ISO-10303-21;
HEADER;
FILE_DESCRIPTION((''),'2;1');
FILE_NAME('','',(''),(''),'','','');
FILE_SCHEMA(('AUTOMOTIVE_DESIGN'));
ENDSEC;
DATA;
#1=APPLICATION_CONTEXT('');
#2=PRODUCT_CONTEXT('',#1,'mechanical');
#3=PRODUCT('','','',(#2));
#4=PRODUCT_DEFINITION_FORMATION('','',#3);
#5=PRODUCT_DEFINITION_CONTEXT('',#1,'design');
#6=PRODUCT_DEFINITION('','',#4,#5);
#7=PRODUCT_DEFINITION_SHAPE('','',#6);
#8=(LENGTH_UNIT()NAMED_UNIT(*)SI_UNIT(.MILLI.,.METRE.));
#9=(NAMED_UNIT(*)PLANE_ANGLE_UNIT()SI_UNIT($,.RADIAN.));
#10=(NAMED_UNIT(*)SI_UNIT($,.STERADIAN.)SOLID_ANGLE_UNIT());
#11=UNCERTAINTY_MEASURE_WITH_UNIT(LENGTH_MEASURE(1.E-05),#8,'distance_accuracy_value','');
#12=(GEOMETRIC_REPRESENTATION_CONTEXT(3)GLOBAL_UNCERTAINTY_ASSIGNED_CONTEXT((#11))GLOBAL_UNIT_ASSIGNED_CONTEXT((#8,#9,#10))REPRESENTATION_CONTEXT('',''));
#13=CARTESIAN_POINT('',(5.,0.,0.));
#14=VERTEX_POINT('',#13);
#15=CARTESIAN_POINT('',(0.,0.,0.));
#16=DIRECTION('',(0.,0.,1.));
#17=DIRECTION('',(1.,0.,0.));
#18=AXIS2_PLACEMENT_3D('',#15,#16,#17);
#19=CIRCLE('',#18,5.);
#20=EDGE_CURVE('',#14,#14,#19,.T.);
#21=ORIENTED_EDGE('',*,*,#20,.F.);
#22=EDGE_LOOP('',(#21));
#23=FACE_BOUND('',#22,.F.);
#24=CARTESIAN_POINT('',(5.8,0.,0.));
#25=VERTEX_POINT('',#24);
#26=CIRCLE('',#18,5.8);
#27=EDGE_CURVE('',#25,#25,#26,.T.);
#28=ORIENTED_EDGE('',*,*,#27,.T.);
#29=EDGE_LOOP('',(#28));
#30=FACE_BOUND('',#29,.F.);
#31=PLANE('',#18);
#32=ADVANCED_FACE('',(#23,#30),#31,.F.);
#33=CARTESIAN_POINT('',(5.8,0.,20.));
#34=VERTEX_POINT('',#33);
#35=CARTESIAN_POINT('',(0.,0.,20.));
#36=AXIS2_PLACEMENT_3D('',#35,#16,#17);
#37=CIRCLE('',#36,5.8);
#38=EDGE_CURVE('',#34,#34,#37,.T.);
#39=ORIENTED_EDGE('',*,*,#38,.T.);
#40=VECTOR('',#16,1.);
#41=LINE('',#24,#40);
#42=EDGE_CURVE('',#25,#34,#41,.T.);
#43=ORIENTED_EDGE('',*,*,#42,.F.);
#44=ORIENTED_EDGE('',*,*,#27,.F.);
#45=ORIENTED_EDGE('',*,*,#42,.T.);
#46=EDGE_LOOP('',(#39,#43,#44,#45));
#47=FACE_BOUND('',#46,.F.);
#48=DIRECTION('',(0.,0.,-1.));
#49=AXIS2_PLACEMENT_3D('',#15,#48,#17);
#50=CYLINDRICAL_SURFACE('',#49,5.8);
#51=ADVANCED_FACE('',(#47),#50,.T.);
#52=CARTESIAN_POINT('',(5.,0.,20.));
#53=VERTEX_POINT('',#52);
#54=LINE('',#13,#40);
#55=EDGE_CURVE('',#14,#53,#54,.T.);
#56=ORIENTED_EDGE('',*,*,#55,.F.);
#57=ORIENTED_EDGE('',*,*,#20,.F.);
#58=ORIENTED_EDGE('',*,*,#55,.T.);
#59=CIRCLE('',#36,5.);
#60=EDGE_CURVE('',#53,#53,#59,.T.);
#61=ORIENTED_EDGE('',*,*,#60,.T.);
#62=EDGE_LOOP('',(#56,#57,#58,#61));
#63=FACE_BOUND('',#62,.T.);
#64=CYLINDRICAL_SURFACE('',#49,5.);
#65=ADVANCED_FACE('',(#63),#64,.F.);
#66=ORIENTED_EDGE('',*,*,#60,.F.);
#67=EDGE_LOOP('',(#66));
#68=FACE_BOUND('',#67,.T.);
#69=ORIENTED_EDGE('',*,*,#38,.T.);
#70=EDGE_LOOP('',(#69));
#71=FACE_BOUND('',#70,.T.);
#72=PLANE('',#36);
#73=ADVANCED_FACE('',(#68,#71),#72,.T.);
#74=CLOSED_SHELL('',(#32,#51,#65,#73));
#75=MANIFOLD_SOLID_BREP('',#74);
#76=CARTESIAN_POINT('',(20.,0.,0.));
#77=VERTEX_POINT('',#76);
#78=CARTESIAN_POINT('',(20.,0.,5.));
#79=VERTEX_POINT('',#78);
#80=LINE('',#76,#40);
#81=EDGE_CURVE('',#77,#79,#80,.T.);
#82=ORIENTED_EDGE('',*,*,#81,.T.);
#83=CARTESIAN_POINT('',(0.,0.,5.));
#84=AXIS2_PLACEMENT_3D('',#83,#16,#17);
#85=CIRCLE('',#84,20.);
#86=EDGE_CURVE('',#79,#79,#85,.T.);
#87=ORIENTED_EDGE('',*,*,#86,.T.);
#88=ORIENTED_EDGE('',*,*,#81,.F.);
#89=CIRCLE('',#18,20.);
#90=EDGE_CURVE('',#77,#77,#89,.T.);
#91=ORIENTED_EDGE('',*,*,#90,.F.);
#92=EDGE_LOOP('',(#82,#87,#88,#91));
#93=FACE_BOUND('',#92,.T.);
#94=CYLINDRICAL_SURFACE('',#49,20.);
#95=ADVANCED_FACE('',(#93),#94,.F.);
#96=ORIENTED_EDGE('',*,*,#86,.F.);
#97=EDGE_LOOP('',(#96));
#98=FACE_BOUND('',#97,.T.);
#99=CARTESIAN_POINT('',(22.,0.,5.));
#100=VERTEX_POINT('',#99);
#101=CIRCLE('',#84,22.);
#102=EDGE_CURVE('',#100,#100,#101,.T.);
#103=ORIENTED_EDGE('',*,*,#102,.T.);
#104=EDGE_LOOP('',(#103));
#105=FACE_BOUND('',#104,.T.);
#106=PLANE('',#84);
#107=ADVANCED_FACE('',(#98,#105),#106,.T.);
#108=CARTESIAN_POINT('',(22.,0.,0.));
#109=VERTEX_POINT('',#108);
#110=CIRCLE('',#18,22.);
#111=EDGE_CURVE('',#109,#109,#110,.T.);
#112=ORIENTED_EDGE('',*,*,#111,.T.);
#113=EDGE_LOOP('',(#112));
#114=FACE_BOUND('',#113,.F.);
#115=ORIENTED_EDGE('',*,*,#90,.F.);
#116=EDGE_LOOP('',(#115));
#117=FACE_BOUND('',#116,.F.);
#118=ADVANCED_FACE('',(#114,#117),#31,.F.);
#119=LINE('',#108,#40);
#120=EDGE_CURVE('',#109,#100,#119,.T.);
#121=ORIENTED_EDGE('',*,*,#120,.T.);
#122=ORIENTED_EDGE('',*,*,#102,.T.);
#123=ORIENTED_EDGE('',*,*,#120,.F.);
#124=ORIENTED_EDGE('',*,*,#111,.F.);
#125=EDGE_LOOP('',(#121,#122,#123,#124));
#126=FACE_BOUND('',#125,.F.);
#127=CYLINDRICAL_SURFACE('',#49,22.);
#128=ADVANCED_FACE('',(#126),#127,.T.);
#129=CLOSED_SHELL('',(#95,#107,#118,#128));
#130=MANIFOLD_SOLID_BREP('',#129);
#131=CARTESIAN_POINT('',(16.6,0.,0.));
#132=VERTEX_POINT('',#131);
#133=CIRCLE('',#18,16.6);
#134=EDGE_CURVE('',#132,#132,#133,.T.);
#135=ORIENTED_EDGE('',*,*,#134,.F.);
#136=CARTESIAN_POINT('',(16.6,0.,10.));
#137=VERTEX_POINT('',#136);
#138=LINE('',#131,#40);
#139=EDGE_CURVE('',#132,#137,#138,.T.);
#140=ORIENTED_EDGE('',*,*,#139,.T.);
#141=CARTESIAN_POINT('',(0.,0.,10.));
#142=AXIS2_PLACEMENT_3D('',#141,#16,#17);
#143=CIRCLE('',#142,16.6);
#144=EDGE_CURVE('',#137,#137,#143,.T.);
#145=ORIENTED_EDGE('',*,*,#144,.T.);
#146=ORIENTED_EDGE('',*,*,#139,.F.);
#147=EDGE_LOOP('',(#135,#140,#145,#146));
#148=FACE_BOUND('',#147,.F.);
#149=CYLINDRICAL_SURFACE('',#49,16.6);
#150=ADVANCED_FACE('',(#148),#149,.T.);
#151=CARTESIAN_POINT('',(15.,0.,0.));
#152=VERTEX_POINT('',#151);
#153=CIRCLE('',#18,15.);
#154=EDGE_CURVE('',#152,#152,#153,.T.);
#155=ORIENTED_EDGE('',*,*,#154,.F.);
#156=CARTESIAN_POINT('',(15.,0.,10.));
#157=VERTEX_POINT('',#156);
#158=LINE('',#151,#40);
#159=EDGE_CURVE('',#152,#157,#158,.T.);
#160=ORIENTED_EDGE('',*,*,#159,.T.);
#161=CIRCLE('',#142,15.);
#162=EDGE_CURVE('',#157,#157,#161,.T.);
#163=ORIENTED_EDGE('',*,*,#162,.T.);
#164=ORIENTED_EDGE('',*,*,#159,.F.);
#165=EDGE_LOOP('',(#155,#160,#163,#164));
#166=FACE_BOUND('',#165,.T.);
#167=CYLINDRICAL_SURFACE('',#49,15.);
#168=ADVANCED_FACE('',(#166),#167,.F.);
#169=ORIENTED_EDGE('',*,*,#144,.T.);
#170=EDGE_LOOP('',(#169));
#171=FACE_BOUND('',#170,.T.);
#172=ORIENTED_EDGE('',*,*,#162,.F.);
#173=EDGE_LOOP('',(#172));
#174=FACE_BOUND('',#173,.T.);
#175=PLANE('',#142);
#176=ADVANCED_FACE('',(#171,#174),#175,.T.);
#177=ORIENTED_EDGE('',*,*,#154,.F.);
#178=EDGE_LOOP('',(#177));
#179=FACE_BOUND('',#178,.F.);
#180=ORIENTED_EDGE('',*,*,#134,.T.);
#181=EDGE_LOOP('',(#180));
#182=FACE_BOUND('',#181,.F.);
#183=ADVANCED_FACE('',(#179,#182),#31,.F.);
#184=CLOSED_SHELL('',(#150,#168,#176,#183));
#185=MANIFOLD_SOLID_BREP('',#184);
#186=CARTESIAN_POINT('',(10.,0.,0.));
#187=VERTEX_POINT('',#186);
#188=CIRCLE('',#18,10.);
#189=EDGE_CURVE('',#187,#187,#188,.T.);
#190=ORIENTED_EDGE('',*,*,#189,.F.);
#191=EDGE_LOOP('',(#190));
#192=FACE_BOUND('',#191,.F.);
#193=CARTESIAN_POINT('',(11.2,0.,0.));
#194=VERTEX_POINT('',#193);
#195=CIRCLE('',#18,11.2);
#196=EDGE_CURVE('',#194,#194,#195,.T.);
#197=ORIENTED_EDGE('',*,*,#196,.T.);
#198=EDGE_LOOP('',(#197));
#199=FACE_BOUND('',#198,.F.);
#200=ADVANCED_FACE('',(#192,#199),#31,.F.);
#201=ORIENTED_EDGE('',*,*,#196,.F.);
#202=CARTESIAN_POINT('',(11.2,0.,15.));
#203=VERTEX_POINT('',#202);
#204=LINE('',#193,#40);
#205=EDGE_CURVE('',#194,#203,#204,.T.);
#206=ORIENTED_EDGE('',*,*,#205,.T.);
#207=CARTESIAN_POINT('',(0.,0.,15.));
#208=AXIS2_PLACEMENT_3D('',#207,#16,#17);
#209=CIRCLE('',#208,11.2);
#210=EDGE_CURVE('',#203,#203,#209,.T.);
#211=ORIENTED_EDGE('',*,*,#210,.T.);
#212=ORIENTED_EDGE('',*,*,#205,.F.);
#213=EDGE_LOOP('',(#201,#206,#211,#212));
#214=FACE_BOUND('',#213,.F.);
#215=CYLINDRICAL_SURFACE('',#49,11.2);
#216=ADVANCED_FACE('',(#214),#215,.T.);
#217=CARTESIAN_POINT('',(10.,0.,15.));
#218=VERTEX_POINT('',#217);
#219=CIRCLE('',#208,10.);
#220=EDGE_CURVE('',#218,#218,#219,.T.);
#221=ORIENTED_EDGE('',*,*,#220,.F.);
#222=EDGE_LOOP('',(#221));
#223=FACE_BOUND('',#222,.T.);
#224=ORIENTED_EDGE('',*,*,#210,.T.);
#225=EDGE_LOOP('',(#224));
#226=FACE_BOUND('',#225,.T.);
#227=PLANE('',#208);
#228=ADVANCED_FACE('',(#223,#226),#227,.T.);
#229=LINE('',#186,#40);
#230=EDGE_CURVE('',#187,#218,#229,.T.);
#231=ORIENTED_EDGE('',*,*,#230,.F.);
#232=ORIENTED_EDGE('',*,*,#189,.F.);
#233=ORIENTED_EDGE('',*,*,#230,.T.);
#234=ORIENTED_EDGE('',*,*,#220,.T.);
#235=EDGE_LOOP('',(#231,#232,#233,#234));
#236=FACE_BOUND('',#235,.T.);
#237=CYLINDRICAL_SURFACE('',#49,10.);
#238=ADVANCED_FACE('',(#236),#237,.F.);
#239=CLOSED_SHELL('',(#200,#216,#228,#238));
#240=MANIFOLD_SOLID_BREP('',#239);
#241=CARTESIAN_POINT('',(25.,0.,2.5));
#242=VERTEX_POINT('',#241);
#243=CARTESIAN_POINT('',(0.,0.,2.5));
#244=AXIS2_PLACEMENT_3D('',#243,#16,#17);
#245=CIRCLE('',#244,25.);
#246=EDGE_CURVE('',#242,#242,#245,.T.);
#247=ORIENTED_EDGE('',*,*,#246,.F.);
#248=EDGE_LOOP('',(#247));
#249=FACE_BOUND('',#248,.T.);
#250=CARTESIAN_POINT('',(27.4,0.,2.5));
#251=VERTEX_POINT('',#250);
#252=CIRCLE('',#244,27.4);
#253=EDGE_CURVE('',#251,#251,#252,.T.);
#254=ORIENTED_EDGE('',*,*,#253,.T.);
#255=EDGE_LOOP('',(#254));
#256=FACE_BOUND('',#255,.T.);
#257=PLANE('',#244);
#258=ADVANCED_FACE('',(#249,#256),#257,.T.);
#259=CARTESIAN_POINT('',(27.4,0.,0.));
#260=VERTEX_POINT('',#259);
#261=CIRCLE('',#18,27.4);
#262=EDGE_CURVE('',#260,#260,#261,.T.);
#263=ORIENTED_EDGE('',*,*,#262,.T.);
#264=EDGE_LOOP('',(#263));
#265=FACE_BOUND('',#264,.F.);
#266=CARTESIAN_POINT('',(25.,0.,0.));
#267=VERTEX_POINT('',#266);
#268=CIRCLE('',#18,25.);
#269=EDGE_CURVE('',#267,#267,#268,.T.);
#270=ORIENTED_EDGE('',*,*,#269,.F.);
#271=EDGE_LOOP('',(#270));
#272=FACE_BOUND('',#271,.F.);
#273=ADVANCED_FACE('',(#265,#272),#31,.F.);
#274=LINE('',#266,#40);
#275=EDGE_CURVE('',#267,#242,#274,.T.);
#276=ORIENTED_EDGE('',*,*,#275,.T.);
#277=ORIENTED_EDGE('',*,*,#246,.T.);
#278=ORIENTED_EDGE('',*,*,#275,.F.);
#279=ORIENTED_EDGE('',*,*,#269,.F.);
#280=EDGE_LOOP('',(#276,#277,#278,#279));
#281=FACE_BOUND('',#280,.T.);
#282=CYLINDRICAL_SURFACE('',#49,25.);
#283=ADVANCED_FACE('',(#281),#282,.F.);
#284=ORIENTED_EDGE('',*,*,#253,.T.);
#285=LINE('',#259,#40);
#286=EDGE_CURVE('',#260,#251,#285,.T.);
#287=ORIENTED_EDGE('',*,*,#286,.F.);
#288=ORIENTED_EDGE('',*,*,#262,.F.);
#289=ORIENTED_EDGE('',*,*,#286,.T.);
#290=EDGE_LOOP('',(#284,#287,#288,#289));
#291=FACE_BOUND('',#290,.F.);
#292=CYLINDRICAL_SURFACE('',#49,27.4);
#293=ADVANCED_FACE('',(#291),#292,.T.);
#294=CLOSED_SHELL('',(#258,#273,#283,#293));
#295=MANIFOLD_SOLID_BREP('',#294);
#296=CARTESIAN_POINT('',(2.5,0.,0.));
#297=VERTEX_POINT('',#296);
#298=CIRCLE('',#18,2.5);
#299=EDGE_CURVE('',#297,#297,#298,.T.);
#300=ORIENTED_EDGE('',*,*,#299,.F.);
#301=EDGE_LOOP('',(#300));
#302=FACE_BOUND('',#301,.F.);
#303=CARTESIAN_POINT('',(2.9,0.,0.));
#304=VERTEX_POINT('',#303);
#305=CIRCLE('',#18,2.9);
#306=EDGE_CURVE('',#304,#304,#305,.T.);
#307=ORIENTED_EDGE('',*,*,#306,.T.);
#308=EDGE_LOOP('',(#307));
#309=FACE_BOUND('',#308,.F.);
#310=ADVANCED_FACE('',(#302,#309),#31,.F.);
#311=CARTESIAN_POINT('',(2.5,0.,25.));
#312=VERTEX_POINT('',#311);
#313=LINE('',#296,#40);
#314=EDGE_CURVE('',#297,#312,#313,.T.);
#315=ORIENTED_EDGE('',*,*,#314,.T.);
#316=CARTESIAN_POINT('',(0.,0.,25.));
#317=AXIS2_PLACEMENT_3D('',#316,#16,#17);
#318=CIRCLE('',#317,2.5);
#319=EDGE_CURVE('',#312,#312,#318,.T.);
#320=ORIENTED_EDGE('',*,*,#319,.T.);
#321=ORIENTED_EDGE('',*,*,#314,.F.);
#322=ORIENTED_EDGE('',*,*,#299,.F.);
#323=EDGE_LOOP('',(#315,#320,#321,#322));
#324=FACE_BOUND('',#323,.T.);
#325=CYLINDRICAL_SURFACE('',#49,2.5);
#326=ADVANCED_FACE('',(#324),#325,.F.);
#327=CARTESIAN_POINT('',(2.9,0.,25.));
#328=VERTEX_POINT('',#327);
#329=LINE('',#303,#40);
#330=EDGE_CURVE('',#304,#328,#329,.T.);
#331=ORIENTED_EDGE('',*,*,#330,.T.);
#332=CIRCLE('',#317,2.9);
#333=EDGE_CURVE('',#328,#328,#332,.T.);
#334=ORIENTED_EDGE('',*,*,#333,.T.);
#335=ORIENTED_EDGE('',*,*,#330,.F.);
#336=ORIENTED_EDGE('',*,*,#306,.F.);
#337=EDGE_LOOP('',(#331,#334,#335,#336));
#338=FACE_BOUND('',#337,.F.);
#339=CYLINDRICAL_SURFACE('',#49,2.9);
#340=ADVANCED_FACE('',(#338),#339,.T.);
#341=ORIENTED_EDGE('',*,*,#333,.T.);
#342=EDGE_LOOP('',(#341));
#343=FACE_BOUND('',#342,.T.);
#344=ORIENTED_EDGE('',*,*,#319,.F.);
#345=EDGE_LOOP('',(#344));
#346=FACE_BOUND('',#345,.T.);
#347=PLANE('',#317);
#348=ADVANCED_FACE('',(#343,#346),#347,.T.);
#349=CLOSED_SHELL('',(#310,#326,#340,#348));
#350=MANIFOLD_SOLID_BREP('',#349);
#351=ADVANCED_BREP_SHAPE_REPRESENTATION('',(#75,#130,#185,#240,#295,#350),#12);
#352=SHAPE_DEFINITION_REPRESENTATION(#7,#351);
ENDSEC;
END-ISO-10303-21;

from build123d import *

# Parameters (mm, degrees)
F0_R     = 2.9
F0_R_2   = 2.5
F1_DEPTH = 25
F0_R_3   = 5.8
F0_R_4   = 5
F2_DEPTH = 20
F0_R_5   = 11.2
F0_R_6   = 10
F3_DEPTH = 15
F0_R_7   = 16.6
F0_R_8   = 15
F4_DEPTH = 10
F0_R_9   = 22
F0_R_10  = 20
F5_DEPTH = 5
F0_R_11  = 27.4
F0_R_12  = 25
F6_DEPTH = 2.5


with BuildPart() as f1:
    # F0 (on Top) → F1 (new body)
    with BuildSketch(Plane.XY):
        Circle(F0_R)
        Circle(F0_R_2, mode=Mode.SUBTRACT)
    extrude(amount=F1_DEPTH)


with BuildPart() as f2:
    # F0 (on Top) → F2 (new body)
    with BuildSketch(Plane.XY):
        Circle(F0_R_3)
        Circle(F0_R_4, mode=Mode.SUBTRACT)
    extrude(amount=F2_DEPTH)


with BuildPart() as f3:
    # F0 (on Top) → F3 (new body)
    with BuildSketch(Plane.XY):
        Circle(F0_R_5)
        Circle(F0_R_6, mode=Mode.SUBTRACT)
    extrude(amount=F3_DEPTH)


with BuildPart() as f4:
    # F0 (on Top) → F4 (new body)
    with BuildSketch(Plane.XY):
        Circle(F0_R_7)
        Circle(F0_R_8, mode=Mode.SUBTRACT)
    extrude(amount=F4_DEPTH)


with BuildPart() as f5:
    # F0 (on Top) → F5 (new body)
    with BuildSketch(Plane.XY):
        Circle(F0_R_9)
        Circle(F0_R_10, mode=Mode.SUBTRACT)
    extrude(amount=F5_DEPTH)


with BuildPart() as f6:
    # F0 (on Top) → F6 (new body)
    with BuildSketch(Plane.XY):
        Circle(F0_R_11)
        Circle(F0_R_12, mode=Mode.SUBTRACT)
    extrude(amount=F6_DEPTH)


solid = Compound([f1.part, f2.part, f3.part, f4.part, f5.part, f6.part])
